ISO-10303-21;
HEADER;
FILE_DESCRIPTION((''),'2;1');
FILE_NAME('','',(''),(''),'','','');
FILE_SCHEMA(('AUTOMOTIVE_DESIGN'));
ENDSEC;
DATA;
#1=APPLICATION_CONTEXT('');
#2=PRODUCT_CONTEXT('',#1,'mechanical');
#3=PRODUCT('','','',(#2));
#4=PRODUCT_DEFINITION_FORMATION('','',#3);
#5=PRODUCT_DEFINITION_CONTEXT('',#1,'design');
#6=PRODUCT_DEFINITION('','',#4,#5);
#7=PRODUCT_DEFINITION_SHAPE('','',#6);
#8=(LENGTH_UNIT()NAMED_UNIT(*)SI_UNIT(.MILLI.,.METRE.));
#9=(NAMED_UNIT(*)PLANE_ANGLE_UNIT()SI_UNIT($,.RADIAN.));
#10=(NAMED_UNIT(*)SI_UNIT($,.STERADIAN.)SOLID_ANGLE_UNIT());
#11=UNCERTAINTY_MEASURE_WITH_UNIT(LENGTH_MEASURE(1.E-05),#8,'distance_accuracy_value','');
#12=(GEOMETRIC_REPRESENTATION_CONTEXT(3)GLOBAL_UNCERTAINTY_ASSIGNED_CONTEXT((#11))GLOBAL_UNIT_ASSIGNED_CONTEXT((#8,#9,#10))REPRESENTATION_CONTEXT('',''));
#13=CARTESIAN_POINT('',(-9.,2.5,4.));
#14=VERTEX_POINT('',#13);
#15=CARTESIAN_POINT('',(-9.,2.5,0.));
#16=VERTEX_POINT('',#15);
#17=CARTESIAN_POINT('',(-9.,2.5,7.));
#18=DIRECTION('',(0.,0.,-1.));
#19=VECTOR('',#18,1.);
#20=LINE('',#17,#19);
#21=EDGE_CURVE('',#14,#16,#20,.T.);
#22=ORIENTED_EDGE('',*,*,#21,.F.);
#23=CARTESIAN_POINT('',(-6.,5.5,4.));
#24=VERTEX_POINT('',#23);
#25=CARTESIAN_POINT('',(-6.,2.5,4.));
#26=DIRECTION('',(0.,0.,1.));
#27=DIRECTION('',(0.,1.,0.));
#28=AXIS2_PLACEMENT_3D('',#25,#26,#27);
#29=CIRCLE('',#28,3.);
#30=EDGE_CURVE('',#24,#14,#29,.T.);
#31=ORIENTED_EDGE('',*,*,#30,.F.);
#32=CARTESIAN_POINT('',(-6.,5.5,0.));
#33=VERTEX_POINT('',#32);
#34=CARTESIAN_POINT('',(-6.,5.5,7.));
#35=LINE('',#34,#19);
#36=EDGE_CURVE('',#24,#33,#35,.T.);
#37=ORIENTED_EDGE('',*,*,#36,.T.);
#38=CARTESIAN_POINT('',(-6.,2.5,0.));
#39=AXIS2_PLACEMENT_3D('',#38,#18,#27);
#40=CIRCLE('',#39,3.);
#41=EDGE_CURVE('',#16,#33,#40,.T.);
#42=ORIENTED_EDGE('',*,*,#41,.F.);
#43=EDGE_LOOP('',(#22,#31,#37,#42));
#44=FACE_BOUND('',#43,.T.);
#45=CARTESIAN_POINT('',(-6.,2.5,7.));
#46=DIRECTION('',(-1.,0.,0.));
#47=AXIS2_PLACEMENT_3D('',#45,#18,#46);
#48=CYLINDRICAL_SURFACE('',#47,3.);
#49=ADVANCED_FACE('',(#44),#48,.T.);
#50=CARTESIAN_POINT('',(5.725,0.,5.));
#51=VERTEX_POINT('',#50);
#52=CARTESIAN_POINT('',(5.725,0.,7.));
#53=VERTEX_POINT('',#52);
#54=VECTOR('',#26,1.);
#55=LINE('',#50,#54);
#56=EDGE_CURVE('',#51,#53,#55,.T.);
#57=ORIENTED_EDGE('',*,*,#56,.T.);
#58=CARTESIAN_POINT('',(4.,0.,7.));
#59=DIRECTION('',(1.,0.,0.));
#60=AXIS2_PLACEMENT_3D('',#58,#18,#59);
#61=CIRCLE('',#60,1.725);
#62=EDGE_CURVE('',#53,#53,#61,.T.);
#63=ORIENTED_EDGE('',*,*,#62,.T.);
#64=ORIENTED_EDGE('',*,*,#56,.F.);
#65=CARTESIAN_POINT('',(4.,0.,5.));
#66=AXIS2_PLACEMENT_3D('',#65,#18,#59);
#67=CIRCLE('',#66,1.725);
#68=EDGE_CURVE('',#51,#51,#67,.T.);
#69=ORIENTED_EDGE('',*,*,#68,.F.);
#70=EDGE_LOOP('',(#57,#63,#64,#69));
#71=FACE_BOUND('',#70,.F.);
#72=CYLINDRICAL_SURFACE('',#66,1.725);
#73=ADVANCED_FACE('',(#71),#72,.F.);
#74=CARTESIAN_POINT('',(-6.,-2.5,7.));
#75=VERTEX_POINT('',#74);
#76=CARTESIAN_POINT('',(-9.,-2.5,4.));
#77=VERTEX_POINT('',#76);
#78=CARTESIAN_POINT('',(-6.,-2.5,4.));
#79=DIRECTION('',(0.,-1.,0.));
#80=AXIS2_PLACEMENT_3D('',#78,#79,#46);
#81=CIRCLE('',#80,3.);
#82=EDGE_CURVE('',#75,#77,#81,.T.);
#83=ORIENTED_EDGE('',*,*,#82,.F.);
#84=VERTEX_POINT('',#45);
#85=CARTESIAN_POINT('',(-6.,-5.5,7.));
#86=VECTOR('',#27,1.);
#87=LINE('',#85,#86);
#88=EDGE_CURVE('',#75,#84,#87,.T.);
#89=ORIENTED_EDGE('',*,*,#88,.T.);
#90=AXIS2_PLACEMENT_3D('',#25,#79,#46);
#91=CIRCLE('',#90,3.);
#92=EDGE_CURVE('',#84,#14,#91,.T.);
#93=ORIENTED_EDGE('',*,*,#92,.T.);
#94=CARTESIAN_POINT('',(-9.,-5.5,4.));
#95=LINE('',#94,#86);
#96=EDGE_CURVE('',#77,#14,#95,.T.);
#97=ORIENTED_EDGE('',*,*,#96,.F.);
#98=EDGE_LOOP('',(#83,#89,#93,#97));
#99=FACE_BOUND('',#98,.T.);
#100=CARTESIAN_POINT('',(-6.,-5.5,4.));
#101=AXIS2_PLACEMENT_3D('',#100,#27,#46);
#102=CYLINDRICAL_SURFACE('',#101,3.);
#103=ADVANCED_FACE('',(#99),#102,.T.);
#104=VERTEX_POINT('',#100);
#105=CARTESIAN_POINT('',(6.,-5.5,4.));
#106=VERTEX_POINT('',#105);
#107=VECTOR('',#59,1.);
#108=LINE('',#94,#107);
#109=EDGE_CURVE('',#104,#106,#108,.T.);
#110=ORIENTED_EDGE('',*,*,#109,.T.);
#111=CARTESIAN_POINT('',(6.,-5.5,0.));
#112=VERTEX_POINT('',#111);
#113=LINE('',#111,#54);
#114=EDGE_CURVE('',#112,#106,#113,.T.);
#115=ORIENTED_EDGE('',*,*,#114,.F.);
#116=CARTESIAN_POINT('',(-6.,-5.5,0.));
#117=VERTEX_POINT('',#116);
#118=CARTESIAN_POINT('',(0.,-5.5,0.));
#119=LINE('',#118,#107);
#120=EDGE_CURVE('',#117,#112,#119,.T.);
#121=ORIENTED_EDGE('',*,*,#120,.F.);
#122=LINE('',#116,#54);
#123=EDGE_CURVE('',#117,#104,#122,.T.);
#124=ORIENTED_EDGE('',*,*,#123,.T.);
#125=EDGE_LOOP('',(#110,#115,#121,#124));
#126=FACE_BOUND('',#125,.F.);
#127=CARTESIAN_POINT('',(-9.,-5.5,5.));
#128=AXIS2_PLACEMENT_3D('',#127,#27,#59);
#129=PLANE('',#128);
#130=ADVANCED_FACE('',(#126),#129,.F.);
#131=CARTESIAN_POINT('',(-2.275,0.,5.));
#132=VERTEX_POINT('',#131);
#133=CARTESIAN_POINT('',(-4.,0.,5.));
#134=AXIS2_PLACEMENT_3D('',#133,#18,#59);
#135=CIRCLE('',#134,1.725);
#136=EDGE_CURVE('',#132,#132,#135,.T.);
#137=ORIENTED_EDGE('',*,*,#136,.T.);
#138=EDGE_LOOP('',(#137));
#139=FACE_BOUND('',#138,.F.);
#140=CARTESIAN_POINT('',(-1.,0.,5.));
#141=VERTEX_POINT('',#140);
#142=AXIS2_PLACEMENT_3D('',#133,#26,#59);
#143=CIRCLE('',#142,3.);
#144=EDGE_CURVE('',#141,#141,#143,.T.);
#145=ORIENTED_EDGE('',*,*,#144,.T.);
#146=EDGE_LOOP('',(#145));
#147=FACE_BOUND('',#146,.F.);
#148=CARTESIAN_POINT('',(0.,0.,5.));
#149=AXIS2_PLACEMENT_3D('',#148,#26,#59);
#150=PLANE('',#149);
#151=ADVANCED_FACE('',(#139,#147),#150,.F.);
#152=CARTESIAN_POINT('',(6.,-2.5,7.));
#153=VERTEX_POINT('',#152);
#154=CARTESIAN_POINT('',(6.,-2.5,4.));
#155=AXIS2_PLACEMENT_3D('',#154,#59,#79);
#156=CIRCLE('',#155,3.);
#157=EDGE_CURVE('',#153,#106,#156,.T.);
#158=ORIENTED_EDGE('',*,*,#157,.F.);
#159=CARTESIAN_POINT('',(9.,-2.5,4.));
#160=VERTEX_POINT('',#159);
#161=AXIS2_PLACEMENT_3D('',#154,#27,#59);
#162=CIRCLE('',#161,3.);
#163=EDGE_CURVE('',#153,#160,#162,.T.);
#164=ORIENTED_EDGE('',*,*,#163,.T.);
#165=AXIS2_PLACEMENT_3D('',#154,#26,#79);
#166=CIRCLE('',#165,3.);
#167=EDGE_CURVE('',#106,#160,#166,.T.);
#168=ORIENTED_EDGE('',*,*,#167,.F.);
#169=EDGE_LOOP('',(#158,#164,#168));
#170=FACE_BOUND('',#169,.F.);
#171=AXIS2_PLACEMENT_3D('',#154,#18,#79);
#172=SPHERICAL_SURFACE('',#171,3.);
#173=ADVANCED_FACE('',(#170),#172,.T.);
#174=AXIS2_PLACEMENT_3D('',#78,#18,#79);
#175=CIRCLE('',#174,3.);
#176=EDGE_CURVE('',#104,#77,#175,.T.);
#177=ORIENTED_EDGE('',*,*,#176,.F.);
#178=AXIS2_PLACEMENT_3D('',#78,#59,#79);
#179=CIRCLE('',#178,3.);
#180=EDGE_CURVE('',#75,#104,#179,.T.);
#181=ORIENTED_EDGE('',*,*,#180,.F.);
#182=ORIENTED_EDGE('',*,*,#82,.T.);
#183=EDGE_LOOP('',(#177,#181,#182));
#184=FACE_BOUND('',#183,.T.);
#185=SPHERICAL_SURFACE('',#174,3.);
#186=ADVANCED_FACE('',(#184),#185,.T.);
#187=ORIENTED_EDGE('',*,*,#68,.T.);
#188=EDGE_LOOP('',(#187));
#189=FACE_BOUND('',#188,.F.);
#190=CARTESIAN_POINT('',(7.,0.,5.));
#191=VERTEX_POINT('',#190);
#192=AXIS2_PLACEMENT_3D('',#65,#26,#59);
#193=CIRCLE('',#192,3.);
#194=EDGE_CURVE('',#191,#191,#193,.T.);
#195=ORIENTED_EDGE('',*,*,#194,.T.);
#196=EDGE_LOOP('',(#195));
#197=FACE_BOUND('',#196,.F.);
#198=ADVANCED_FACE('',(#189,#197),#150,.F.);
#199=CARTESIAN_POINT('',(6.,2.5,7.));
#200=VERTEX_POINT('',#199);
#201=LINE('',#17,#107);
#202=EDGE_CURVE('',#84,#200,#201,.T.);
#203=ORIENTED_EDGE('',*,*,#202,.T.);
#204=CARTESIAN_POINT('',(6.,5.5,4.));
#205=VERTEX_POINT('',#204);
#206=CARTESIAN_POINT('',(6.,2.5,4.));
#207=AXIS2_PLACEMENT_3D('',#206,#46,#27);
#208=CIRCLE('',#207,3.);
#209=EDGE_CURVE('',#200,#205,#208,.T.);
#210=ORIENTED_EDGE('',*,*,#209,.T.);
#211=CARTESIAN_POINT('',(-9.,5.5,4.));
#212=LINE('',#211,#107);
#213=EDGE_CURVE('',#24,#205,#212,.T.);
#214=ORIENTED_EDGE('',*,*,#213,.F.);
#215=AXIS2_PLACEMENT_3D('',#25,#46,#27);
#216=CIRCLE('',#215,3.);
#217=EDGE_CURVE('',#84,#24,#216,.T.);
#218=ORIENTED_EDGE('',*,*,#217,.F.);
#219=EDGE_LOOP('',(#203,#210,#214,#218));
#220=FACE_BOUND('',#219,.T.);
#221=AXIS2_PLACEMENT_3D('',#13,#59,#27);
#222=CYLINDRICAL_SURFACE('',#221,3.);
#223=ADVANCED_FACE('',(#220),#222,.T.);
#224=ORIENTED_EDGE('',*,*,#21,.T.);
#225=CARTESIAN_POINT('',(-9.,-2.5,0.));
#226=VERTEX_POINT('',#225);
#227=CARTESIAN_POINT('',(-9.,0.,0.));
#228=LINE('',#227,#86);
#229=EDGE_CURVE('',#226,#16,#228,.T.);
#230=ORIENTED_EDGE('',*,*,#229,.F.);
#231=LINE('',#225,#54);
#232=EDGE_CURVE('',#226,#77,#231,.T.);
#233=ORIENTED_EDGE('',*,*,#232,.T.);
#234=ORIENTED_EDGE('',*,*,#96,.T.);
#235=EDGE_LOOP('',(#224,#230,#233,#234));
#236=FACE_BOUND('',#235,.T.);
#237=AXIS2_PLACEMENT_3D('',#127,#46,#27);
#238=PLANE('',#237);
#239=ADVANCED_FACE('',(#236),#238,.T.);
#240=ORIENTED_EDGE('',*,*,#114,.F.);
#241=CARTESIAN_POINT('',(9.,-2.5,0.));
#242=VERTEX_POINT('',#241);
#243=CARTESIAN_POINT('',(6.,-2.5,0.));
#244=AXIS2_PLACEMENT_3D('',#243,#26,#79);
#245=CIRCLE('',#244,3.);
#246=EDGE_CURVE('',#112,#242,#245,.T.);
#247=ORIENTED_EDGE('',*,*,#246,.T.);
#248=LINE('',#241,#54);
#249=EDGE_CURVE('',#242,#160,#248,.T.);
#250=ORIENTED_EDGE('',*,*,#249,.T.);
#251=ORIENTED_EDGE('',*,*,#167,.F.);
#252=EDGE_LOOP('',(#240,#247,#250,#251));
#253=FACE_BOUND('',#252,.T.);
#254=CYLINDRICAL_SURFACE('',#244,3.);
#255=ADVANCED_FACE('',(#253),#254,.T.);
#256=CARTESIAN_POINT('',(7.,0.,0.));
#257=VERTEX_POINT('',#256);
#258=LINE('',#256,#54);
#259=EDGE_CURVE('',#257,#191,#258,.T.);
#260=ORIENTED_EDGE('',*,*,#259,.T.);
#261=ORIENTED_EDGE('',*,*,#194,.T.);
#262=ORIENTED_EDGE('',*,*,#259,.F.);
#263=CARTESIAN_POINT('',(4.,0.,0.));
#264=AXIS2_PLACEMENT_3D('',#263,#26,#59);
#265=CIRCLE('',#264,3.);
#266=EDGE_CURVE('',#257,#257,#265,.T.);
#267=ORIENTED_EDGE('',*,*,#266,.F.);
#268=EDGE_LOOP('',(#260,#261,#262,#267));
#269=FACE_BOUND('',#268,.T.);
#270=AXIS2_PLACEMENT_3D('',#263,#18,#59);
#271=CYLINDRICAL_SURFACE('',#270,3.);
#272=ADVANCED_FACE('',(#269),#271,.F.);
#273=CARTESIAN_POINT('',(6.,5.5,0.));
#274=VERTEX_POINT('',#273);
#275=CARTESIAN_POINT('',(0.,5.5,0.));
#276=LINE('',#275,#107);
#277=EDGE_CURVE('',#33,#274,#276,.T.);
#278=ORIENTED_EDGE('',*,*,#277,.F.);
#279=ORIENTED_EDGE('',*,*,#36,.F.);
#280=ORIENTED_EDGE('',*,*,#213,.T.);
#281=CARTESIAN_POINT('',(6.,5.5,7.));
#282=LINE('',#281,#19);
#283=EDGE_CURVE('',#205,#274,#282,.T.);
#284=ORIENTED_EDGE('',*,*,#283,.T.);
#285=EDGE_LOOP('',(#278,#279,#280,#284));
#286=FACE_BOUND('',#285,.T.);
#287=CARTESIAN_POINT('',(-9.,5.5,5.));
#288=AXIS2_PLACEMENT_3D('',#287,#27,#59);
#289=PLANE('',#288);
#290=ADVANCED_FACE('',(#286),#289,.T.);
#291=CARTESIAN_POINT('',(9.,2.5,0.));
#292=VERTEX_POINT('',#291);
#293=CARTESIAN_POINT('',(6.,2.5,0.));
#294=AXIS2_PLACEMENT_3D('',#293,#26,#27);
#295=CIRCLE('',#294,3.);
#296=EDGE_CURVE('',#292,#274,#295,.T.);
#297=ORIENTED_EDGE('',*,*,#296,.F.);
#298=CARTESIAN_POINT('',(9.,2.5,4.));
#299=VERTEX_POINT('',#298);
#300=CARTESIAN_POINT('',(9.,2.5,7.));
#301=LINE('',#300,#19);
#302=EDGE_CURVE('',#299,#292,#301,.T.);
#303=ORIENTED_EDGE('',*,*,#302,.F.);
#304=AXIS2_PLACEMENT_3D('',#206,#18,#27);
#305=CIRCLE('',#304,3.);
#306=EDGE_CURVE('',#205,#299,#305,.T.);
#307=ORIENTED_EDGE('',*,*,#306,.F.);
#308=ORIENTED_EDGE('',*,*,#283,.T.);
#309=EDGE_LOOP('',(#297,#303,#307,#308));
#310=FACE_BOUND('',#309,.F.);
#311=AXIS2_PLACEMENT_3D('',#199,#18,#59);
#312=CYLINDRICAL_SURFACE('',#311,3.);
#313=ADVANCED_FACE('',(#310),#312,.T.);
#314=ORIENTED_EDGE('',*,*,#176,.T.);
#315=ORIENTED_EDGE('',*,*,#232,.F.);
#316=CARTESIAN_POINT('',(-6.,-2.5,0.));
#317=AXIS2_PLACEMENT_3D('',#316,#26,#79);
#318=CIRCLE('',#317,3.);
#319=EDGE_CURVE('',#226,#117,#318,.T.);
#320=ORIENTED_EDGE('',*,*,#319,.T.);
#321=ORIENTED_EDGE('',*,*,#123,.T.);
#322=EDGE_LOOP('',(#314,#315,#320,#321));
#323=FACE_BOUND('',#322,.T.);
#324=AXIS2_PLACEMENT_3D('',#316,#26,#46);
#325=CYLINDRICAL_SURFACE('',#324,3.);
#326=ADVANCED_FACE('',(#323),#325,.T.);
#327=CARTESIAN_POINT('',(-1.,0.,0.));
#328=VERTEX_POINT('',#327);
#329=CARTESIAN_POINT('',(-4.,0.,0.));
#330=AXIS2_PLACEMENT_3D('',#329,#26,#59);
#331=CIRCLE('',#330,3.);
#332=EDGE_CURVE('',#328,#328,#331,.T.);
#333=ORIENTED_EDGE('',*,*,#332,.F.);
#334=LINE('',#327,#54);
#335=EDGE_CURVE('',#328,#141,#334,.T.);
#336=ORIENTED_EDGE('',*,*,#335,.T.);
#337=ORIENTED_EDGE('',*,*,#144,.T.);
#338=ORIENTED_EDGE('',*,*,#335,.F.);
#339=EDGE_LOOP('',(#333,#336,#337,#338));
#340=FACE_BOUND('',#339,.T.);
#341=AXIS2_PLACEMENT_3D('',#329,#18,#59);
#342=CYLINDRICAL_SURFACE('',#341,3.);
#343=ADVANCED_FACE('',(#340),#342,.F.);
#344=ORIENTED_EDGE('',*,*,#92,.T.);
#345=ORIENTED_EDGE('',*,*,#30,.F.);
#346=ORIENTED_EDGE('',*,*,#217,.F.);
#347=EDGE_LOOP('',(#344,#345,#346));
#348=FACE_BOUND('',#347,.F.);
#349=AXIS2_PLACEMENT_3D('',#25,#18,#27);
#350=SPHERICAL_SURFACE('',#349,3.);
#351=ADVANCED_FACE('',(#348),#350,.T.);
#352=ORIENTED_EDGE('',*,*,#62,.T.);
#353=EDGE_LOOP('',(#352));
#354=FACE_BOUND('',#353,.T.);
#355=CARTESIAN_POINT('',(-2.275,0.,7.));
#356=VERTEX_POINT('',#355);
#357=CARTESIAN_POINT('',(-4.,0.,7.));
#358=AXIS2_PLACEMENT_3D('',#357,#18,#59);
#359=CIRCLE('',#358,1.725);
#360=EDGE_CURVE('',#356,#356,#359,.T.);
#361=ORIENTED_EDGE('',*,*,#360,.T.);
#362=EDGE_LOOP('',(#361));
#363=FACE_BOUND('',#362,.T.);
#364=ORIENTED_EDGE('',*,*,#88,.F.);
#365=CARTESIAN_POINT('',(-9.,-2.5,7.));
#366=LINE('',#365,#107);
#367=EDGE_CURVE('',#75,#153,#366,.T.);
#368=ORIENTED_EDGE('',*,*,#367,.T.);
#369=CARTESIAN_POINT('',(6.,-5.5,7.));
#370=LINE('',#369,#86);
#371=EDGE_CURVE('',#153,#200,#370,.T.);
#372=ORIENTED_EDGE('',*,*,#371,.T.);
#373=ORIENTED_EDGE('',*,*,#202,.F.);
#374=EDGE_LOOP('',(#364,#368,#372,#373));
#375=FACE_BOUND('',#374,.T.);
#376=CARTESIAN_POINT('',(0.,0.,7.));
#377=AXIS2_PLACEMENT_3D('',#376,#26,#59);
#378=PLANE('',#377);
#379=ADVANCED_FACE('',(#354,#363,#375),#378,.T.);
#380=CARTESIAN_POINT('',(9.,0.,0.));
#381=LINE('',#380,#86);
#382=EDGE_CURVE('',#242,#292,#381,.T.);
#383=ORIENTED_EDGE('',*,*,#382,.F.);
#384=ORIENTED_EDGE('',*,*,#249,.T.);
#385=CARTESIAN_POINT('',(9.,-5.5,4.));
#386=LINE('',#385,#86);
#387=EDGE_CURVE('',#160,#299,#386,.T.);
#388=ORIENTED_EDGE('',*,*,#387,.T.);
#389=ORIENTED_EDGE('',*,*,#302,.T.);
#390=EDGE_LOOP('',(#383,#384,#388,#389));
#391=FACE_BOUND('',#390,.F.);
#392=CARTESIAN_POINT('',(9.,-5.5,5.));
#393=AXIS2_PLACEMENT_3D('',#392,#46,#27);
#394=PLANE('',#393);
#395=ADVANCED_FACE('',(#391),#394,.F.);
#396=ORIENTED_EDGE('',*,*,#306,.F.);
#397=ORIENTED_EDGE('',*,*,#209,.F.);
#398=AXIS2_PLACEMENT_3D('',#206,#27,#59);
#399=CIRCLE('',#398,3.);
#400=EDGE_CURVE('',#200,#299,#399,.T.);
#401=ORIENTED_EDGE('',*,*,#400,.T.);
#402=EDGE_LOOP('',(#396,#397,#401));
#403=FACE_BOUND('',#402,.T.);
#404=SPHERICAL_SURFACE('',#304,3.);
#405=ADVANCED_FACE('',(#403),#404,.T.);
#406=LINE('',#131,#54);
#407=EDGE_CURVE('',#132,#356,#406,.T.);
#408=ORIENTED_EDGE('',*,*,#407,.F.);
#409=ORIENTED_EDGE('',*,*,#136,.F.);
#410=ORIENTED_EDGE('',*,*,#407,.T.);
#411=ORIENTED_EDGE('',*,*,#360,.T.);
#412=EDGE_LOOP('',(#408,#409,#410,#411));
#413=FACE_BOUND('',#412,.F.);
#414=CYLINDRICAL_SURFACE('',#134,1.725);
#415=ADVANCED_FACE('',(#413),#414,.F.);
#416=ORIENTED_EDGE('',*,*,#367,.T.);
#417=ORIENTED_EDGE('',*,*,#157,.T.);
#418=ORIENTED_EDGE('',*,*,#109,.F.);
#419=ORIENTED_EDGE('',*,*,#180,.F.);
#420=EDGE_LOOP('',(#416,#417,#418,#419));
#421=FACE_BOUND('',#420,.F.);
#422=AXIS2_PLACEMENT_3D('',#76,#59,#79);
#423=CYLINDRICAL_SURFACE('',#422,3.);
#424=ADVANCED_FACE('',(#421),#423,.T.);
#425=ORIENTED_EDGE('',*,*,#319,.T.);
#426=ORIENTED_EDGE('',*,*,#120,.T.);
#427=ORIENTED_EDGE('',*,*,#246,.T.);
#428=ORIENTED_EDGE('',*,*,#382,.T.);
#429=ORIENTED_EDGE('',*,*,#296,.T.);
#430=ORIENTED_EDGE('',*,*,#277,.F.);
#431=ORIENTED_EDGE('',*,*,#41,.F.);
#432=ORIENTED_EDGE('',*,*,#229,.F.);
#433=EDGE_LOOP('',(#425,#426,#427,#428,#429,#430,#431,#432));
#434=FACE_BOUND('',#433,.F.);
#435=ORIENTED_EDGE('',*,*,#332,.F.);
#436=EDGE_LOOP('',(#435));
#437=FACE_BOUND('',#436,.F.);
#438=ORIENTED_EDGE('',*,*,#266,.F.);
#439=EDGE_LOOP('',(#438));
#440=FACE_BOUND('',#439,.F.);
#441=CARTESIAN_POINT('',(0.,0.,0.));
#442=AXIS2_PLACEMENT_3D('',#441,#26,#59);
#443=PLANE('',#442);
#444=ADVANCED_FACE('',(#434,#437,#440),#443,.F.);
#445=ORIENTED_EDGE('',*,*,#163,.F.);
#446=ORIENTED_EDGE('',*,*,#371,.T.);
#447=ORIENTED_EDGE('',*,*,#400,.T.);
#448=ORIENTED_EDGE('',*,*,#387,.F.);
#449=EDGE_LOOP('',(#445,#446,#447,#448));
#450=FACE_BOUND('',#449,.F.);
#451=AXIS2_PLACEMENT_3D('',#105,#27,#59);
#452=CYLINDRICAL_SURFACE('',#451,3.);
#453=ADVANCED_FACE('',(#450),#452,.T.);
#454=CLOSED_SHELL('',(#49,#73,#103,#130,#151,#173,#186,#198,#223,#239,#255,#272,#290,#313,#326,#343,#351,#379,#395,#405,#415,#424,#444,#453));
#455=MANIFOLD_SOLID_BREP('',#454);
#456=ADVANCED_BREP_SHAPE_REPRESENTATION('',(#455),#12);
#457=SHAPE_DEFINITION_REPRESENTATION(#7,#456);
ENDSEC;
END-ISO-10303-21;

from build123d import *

# Parameters (mm, degrees)
F0_W     = 18
F0_H     = 11
F0_R     = 3
F1_DEPTH = 5
F2_W     = 18
F2_H     = 11
F3_DEPTH = 2
F4_R     = 3
F5_R     = 1.725
F6_DEPTH = 25


with BuildPart() as f1:
    # F0 (on Top) → F1 (new body)
    with BuildSketch(Plane.XY):
        Rectangle(F0_W, F0_H)
        with Locations((-4, 0)):
            Circle(F0_R, mode=Mode.SUBTRACT)
        with Locations((4, 0)):
            Circle(F0_R, mode=Mode.SUBTRACT)
    extrude(amount=F1_DEPTH)

    # F2 (on face) → F3 (join)
    with BuildSketch(Plane.XY.offset(5)):
        Rectangle(F2_W, F2_H)
    extrude(amount=F3_DEPTH)

    # F4
    f4_edges = [f1.edges().sort_by_distance(p)[0] for p in [
        (-9, 5.5, 3.5),
        (-9, -5.5, 3.5),
        (9, -5.5, 3.5),
        (9, 5.5, 3.5),
        (0, 5.5, 7),
        (0, -5.5, 7),
        (-9, 0, 7),
        (9, 0, 7),
    ]]
    fillet(f4_edges, radius=F4_R)

    # F5 (on face) → F6 (cut)
    with BuildSketch(Plane(origin=(0, 0, 5), x_dir=(1, 0, 0), z_dir=(0, 0, -1))):
        with Locations((-4, 0)):
            Circle(F5_R)
        with Locations((4, 0)):
            Circle(F5_R)
    extrude(amount=-F6_DEPTH, mode=Mode.SUBTRACT)


solid = f1.part
